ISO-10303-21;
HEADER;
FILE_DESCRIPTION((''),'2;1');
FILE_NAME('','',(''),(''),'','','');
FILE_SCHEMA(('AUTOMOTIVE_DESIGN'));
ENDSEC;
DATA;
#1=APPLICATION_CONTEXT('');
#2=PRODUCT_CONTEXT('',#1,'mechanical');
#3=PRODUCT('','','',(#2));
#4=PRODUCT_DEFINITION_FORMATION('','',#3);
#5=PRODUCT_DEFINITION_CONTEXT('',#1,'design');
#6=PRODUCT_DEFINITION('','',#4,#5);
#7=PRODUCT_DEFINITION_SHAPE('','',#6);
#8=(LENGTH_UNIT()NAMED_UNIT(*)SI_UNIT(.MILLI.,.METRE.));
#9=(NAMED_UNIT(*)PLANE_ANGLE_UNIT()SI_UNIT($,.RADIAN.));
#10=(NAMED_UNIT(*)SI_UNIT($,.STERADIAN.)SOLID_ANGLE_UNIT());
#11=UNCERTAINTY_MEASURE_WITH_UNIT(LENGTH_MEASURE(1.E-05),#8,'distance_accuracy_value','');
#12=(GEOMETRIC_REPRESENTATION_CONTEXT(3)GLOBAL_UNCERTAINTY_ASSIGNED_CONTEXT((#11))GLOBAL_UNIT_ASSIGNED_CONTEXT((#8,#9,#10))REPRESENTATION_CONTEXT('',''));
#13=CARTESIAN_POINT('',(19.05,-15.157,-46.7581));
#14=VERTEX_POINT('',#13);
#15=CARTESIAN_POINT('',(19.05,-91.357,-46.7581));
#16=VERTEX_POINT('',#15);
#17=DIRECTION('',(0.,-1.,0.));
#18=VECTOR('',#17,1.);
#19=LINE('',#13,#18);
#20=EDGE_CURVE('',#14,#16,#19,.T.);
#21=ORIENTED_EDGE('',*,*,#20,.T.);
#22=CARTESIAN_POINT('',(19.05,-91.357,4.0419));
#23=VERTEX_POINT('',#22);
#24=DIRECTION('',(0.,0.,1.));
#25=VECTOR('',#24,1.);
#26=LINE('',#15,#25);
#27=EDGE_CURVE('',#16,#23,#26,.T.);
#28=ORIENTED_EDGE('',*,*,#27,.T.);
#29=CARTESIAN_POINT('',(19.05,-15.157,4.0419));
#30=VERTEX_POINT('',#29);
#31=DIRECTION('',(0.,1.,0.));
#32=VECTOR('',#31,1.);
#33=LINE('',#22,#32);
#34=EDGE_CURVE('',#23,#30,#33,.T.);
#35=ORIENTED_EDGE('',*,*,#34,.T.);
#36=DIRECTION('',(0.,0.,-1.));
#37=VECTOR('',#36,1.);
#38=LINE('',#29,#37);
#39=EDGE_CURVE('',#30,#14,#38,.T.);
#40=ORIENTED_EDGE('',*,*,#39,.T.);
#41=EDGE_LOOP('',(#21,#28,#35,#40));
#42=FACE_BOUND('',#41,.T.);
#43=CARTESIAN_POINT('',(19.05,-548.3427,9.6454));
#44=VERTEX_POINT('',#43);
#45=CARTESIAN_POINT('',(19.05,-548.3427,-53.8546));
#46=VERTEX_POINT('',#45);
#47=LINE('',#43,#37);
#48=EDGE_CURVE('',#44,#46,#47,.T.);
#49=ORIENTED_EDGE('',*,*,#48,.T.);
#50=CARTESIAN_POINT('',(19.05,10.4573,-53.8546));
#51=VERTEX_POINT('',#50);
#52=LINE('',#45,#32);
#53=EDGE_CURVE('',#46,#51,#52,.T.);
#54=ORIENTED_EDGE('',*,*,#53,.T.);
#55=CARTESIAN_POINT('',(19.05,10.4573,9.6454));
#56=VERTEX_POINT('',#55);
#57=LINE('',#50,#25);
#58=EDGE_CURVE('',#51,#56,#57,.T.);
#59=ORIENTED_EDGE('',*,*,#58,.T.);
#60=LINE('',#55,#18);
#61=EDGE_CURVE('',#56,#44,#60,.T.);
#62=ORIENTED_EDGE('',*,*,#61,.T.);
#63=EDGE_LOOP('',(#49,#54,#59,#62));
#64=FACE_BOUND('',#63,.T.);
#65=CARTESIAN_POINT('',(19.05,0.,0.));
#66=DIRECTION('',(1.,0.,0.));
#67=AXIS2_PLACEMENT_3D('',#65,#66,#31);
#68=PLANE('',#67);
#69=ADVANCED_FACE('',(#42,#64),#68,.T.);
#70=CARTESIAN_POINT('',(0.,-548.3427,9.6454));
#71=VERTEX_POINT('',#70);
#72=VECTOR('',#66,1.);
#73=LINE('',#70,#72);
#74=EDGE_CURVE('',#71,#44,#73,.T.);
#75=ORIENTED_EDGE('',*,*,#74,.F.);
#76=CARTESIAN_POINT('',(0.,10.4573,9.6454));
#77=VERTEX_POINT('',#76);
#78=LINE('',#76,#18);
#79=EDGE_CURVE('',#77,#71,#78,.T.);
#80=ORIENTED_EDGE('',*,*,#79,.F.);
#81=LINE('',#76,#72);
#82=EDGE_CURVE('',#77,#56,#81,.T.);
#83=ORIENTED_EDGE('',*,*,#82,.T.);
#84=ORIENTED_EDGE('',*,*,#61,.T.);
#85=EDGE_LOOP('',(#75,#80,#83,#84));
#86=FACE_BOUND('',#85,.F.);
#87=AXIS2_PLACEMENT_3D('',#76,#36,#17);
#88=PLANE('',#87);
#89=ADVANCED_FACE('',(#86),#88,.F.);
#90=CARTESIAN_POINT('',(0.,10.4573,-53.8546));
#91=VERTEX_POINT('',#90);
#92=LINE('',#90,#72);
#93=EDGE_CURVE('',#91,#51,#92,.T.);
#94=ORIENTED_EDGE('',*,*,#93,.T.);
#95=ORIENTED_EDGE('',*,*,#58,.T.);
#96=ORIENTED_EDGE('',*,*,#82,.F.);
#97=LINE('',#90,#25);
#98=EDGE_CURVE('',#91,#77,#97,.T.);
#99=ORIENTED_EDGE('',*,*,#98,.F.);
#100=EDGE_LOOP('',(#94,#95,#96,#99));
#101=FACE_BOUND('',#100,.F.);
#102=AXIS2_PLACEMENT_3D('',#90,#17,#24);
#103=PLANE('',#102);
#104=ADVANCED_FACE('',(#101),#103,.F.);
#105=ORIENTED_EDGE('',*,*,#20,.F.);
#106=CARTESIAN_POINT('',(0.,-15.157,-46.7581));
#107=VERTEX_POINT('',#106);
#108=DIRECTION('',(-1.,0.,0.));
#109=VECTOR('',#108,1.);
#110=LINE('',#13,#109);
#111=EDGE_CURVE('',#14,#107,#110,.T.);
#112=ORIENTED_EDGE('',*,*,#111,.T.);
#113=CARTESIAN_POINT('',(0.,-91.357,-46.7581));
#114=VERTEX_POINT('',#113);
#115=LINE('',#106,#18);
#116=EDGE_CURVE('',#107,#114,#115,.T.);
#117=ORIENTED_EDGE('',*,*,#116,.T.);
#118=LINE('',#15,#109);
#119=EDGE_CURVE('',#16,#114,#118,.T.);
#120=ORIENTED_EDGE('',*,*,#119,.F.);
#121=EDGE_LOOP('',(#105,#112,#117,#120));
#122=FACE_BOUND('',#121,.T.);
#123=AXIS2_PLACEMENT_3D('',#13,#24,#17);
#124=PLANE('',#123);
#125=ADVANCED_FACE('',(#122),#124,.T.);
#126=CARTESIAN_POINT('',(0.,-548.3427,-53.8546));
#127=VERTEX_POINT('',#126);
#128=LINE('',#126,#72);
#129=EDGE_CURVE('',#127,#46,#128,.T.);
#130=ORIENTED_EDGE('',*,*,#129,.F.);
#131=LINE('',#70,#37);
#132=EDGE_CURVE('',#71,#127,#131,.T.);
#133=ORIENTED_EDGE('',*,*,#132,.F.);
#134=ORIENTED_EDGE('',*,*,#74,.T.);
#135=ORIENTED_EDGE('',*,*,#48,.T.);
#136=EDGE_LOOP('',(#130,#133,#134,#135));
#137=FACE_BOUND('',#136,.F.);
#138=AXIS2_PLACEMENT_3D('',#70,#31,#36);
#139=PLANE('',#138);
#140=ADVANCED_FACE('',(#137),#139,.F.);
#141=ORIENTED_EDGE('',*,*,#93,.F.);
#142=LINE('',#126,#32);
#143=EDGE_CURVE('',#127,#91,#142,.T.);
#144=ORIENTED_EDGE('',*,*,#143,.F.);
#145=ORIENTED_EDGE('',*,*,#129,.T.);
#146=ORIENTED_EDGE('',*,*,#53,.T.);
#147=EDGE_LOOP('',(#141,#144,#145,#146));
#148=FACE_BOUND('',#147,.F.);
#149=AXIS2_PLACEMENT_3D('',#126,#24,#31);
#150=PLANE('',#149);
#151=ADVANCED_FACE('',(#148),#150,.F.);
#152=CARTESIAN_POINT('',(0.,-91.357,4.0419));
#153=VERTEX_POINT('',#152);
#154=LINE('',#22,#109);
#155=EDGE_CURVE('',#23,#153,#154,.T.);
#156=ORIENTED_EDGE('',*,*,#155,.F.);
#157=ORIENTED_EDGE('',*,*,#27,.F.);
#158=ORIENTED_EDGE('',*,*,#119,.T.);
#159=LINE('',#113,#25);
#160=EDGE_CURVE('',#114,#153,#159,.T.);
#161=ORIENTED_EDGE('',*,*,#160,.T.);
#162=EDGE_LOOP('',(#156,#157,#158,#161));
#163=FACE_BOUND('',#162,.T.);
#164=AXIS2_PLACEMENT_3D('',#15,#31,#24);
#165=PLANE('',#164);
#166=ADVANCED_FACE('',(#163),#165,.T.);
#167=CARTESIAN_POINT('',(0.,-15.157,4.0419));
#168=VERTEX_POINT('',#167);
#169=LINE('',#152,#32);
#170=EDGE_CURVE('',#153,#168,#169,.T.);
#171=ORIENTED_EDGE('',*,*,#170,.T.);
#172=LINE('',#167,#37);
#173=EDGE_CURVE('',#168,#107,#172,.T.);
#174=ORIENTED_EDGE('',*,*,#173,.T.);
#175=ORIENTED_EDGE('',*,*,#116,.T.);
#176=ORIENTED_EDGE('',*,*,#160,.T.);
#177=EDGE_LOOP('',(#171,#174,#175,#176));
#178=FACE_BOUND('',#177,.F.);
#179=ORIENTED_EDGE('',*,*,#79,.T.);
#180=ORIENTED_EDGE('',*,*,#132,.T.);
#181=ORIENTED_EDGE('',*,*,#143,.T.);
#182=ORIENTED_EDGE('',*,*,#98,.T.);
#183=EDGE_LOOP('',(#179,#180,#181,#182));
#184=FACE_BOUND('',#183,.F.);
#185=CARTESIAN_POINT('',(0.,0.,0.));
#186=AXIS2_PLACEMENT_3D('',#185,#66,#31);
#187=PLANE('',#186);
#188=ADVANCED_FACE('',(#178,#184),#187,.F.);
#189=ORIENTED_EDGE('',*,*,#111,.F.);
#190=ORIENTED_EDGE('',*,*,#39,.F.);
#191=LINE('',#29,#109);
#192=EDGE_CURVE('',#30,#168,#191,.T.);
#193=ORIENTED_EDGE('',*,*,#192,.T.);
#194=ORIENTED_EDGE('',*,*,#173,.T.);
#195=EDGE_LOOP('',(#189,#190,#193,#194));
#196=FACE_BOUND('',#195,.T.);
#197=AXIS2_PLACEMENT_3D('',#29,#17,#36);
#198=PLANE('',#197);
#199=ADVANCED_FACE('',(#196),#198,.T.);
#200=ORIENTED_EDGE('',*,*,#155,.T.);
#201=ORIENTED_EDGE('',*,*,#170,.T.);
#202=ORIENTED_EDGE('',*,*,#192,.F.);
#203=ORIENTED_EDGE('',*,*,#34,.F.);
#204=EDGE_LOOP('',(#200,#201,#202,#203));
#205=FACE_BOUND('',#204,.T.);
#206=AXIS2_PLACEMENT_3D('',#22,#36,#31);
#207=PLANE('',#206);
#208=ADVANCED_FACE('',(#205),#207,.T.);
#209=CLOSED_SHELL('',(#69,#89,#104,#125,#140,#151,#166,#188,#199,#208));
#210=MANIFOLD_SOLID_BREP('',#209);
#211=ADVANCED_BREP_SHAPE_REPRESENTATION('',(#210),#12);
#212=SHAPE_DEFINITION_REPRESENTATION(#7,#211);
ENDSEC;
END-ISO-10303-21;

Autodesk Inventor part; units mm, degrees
ref_plane "YZ Plane" through (0, 0, 0) normal (1, 0, 0) x (0, 1, 0)
ref_plane "XZ Plane" through (0, 0, 0) normal (0, 1, 0) x (-1, 0, 0)
ref_plane "XY Plane" through (0, 0, 0) normal (0, 0, 1) x (1, 0, 0)
sketch "Sketch1" plane through (0, 0, 0) normal (1, 0, 0) x (0, 1, 0)
  line L0 (10.4573, 9.6454) -> (-548.3427, 9.6454)
  line L1 (-548.3427, 9.6454) -> (-548.3427, -53.8546)
  line L2 (-548.3427, -53.8546) -> (10.4573, -53.8546)
  line L3 (10.4573, -53.8546) -> (10.4573, 9.6454)
  point P0 (0, 0)
  dimension "d0" = 558.8
  dimension "d1" = 63.5
extrude "Extrusion1" add sketch "Sketch1" along normal blind 19.05
sketch "Sketch2" plane through (19.05, 0, 0) normal (1, 0, 0) x (0, 0, -1)
  line L0 (-4.0419, -15.157) -> (46.7581, -15.157)
  line L1 (46.7581, -15.157) -> (46.7581, -91.357)
  line L2 (46.7581, -91.357) -> (-4.0419, -91.357)
  line L3 (-4.0419, -91.357) -> (-4.0419, -15.157)
  point P0 (0, 0)
  dimension "d4" = 50.8
  dimension "d5" = 76.2
extrude "Extrusion2" cut sketch "Sketch2" against normal blind 19.05
properties part number "blade" material "Rubber, Silicone"
